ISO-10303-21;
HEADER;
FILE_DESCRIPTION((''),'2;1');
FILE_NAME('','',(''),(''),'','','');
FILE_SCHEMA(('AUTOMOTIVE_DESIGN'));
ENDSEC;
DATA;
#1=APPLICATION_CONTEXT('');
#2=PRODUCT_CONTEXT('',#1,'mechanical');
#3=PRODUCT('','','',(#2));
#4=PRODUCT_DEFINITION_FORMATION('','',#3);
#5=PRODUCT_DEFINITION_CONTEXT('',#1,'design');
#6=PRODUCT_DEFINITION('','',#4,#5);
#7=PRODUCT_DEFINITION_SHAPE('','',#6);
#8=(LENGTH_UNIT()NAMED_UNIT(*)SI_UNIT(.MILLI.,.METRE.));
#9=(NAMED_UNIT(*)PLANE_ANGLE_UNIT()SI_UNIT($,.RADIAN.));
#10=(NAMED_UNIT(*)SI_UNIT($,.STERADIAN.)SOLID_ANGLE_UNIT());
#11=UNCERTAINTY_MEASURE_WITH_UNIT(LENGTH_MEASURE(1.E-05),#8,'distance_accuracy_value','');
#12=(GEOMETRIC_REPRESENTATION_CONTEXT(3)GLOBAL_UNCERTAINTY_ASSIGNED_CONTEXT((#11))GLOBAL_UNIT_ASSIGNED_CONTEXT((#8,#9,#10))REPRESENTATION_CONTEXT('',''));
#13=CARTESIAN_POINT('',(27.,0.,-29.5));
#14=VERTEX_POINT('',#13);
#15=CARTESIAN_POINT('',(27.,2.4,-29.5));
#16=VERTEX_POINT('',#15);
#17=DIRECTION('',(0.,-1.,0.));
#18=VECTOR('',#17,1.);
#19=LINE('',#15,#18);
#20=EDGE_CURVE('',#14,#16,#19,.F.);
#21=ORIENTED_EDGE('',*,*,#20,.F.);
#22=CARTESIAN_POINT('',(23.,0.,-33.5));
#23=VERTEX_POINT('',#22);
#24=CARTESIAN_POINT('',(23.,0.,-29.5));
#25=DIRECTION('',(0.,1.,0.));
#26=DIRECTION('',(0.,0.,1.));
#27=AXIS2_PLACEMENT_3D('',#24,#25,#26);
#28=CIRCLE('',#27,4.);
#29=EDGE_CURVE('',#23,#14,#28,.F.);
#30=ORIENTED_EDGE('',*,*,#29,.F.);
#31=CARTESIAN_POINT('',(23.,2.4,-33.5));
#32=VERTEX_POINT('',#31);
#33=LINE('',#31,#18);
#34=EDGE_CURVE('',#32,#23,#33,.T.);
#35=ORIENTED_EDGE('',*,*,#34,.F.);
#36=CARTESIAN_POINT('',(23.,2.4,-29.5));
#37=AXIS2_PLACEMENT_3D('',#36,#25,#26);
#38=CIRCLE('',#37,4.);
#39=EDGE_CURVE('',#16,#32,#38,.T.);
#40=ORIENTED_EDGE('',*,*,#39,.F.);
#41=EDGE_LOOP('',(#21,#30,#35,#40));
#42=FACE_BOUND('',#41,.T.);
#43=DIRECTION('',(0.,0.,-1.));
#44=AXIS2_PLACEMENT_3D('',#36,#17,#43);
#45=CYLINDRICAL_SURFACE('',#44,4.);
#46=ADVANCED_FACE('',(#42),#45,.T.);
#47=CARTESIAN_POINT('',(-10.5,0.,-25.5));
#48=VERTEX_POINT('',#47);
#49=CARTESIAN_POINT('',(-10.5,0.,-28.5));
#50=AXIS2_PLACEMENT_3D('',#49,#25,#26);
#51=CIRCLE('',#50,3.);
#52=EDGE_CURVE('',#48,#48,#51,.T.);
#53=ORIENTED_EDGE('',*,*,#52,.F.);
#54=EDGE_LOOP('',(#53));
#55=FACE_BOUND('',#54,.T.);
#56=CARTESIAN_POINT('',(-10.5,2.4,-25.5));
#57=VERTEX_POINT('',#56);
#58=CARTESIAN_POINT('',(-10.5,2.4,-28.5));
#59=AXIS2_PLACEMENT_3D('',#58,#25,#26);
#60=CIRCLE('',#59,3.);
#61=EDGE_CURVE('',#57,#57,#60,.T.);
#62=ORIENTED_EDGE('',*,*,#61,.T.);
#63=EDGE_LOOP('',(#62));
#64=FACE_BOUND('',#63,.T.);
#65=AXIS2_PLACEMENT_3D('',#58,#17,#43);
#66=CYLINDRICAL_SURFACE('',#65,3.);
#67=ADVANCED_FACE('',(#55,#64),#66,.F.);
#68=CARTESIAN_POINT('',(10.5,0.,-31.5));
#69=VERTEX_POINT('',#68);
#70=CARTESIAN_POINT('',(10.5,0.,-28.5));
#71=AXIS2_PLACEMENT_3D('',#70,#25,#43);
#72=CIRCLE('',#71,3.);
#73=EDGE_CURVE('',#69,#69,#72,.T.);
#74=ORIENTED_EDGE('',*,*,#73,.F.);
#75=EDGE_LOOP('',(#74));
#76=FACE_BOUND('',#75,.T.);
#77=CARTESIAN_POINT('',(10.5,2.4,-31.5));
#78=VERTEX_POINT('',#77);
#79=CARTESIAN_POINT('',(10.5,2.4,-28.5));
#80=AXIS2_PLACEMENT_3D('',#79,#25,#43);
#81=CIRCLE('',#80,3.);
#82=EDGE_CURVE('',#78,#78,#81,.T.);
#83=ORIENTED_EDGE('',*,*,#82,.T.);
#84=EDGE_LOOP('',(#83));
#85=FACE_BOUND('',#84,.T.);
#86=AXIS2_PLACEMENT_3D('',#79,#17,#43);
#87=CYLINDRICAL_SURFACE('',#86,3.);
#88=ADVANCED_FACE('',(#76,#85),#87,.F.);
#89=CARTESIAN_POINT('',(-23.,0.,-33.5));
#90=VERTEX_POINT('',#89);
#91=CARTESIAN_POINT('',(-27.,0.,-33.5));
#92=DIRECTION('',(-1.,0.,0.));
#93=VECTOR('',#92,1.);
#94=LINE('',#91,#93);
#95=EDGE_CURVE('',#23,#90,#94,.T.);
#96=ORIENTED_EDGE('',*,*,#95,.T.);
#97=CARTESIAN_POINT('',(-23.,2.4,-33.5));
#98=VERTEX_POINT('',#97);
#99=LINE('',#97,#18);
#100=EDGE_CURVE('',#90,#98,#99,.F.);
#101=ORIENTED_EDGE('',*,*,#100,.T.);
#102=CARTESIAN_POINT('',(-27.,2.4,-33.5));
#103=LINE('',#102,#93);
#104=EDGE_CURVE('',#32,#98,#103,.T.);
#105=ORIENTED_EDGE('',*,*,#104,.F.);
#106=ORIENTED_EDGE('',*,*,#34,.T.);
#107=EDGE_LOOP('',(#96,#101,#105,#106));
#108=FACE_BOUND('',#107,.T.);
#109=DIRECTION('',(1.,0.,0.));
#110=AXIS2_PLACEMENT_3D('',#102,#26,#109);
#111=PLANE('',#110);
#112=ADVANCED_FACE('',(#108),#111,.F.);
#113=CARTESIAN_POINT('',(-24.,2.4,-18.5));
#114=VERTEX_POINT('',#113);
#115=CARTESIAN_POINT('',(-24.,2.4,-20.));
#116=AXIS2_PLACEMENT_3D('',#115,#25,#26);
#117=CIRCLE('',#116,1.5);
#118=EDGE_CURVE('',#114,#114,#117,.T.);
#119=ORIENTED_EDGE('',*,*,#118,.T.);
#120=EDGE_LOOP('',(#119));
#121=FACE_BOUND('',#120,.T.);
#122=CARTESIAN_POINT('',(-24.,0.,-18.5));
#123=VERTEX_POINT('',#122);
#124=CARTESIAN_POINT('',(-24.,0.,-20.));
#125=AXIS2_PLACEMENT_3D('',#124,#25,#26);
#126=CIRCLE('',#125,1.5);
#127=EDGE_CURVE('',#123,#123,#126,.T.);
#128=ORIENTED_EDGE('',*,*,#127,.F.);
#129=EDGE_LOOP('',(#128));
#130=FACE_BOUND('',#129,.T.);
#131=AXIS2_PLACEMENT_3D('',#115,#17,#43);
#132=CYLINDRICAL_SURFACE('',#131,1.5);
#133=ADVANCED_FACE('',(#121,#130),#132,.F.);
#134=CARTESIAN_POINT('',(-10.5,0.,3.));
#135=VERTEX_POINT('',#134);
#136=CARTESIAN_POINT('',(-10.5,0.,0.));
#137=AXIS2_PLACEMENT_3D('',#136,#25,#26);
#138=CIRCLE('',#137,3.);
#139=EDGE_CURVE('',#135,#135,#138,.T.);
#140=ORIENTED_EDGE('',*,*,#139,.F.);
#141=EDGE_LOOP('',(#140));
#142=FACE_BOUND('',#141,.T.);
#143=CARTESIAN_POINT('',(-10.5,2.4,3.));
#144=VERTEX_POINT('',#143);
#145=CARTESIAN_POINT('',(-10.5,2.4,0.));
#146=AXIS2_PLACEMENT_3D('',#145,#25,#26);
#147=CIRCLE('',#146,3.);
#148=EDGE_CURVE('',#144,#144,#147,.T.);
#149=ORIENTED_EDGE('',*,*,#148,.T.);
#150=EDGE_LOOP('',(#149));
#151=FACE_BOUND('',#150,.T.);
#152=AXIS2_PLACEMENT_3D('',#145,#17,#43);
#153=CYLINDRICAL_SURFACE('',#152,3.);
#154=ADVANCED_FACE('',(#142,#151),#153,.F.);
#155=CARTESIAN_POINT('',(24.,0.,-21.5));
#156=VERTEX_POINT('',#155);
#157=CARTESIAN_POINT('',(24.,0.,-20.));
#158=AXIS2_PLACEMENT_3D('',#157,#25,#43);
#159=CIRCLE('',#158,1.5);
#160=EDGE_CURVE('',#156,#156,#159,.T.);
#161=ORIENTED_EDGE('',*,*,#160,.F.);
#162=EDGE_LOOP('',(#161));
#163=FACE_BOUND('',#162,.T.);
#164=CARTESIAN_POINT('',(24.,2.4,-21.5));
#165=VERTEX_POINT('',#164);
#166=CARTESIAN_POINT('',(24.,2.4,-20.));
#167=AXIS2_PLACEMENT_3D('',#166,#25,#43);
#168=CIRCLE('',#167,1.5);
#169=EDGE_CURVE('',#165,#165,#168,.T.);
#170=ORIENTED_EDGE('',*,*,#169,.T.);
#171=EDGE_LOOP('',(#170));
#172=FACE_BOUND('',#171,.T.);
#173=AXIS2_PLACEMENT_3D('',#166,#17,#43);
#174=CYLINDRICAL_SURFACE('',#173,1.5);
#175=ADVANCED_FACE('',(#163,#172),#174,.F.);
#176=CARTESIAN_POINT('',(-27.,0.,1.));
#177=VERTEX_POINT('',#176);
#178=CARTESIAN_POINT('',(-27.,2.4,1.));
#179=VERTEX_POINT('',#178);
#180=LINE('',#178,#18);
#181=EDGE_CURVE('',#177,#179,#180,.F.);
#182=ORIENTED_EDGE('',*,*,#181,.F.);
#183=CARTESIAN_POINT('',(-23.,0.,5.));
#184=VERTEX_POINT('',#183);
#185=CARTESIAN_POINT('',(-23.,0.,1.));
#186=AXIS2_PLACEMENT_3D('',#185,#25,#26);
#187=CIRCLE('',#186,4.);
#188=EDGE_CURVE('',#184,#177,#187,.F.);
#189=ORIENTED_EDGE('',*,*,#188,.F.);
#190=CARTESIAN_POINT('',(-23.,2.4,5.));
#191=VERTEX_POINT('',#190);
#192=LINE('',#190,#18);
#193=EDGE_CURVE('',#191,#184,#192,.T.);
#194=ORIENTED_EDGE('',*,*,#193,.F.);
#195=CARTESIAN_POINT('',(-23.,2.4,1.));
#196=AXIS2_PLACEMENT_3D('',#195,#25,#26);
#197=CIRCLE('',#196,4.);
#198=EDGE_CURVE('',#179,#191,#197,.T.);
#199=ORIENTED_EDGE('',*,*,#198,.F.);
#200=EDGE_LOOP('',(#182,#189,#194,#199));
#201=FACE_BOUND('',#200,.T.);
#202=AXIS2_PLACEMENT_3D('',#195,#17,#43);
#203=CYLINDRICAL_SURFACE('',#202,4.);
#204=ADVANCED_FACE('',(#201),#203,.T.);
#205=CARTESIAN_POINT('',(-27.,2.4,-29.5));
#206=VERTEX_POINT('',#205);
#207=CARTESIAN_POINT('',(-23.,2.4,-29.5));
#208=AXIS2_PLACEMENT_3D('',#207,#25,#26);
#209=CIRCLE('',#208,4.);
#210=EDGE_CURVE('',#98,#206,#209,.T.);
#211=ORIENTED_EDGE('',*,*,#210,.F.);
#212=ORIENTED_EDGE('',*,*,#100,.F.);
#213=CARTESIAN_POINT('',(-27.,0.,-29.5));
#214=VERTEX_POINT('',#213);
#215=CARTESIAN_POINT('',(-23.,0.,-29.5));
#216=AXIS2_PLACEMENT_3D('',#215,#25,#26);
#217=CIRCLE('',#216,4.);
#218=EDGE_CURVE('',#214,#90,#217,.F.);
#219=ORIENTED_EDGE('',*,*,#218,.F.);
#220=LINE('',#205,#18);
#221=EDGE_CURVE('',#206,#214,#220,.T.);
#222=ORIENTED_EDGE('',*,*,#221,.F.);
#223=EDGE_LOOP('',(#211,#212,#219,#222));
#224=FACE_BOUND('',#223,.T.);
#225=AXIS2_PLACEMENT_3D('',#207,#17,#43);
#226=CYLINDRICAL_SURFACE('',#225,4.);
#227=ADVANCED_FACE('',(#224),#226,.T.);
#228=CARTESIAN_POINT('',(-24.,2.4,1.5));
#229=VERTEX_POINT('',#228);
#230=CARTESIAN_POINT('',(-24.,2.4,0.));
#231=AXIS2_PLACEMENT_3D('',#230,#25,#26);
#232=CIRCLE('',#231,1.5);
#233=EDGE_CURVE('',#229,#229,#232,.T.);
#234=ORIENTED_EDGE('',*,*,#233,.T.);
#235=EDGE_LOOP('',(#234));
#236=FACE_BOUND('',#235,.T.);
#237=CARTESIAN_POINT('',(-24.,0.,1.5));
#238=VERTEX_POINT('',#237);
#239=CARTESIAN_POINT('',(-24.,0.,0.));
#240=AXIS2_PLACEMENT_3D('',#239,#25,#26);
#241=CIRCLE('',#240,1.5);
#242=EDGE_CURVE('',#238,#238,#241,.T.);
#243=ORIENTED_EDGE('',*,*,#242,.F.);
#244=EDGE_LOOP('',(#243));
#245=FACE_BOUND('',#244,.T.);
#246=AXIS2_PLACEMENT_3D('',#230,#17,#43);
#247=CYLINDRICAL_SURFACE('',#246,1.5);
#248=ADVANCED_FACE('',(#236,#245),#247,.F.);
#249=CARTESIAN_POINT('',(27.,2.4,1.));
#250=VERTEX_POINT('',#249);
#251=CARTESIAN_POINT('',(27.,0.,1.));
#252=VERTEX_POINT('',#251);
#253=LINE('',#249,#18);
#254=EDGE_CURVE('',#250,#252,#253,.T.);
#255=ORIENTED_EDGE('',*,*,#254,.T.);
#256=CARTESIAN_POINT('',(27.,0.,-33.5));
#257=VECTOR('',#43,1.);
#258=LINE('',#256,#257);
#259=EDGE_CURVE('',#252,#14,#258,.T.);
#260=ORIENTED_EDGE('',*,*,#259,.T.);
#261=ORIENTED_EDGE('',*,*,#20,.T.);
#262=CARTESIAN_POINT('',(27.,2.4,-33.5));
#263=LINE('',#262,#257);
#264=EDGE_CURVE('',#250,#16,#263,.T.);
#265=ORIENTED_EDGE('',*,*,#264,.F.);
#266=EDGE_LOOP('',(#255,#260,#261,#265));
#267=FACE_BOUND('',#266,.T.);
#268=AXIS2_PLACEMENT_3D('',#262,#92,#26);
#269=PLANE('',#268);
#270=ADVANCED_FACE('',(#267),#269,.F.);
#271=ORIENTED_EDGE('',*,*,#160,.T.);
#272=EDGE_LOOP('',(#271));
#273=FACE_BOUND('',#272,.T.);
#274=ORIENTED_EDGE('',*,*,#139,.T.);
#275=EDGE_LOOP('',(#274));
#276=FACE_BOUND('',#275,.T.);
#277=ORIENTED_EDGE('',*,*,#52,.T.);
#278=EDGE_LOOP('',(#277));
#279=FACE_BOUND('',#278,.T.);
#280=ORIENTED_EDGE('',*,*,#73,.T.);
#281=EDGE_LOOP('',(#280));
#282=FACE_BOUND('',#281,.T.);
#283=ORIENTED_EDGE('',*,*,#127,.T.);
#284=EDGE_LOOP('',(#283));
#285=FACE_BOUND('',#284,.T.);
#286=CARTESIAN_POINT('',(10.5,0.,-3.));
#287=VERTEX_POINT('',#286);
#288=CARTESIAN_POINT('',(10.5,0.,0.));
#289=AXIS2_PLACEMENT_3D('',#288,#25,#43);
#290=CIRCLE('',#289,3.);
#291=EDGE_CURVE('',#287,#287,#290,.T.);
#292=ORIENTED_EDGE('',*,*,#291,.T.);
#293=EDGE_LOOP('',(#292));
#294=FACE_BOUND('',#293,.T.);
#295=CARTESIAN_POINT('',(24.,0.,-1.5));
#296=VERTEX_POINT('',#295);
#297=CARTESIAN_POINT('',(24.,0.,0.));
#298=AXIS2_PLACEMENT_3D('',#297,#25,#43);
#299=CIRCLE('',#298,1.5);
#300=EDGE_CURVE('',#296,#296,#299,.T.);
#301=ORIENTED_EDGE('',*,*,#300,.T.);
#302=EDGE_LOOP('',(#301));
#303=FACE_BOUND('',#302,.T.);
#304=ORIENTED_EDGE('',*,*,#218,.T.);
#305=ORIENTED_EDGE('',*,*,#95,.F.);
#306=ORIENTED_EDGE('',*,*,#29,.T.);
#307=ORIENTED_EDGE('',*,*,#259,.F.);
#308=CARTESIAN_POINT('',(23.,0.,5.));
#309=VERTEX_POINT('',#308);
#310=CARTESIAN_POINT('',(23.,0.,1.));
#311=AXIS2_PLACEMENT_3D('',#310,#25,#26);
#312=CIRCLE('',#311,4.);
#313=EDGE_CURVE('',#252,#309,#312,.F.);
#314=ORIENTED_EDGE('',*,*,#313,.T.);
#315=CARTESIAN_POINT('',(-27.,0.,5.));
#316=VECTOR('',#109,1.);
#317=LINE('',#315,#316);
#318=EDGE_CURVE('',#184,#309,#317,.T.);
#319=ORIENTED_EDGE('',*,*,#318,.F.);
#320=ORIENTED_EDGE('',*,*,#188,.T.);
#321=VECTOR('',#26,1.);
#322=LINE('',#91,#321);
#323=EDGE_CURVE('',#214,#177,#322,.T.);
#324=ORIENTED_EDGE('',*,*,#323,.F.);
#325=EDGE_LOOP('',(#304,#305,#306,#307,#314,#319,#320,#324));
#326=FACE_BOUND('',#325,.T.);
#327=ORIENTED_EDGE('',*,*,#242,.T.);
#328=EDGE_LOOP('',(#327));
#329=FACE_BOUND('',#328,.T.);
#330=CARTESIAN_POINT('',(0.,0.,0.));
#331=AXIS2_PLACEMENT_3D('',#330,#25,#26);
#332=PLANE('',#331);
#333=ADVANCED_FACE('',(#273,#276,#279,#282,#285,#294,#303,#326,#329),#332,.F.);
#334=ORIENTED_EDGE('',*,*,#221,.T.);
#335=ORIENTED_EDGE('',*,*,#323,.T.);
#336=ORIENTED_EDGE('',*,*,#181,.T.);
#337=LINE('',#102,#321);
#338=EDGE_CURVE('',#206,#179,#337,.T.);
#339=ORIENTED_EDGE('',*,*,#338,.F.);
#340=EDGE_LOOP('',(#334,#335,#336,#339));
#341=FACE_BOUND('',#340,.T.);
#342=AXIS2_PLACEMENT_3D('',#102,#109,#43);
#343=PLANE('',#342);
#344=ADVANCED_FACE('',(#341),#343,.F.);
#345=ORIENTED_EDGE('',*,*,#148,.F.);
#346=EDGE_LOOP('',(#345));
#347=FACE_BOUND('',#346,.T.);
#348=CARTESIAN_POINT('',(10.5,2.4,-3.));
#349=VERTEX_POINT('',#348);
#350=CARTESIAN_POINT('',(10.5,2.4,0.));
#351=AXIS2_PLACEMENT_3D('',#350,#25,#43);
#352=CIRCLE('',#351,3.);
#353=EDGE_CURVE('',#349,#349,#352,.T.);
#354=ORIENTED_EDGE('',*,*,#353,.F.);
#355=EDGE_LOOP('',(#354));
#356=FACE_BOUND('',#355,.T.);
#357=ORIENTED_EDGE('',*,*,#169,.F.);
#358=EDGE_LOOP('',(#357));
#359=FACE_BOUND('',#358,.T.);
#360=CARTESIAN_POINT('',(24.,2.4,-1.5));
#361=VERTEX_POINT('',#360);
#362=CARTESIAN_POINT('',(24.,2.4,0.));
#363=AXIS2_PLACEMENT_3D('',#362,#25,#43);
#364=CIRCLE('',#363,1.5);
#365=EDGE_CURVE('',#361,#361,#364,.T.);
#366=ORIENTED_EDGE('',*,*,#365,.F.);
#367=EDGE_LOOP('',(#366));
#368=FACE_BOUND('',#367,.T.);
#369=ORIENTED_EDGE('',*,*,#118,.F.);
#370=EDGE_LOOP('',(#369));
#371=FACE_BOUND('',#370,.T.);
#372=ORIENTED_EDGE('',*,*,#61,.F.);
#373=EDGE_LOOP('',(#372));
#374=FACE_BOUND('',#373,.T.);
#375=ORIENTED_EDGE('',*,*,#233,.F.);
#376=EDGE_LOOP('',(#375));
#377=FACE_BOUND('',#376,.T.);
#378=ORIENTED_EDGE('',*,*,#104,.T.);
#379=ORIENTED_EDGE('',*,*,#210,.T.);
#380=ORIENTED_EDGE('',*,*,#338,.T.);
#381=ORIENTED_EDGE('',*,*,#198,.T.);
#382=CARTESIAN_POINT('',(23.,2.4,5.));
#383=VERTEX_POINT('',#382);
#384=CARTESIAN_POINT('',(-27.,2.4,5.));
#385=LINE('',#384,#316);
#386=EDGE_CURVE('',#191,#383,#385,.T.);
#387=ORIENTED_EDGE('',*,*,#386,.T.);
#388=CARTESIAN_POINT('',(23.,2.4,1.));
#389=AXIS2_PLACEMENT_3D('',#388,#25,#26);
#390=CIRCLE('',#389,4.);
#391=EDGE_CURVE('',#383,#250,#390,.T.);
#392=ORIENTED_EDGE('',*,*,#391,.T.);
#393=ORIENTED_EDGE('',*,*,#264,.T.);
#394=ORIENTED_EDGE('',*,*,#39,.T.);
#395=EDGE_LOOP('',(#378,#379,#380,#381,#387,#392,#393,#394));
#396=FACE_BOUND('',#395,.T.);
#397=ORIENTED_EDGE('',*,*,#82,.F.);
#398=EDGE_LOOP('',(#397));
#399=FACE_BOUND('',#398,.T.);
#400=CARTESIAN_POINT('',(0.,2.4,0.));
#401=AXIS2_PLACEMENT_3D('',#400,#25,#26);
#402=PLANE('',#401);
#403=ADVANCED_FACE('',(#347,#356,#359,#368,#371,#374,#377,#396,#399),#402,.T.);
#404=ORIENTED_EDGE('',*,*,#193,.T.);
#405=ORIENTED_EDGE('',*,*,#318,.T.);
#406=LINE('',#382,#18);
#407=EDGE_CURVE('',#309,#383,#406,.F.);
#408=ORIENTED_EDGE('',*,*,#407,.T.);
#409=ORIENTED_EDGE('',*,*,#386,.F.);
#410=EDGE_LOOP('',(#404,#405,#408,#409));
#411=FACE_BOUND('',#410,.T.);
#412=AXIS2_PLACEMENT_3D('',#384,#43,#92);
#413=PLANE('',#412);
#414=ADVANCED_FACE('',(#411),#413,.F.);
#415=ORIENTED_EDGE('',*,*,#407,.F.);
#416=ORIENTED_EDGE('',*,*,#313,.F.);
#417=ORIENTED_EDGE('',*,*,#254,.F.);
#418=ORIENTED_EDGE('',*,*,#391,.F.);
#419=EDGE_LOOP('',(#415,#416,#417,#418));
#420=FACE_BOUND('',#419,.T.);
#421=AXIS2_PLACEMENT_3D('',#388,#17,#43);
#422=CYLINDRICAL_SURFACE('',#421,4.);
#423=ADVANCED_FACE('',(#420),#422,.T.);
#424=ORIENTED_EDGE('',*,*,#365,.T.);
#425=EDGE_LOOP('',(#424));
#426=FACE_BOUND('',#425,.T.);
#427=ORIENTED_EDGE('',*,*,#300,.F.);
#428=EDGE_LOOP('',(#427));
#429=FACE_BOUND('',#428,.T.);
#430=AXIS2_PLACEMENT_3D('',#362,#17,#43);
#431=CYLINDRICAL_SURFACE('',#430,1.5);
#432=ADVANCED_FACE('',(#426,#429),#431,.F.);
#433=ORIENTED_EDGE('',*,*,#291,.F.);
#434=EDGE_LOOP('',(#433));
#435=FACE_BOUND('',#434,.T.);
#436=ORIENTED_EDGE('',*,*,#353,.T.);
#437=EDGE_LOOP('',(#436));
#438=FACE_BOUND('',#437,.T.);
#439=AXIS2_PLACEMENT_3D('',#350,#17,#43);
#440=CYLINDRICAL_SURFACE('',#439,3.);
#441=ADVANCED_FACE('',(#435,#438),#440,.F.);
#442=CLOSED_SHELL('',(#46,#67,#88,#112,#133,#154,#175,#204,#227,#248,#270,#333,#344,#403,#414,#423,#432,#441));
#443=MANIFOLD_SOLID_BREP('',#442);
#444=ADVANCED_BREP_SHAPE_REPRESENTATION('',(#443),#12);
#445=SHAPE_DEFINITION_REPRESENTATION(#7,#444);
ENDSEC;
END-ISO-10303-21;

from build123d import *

# Parameters (mm, degrees)
SKETCH_1_W      = 54
SKETCH_1_H      = 38.5
SKETCH_1_R      = 1.5
SKETCH_1_R_2    = 3
EXTRUDE_1_DEPTH = 2.4
FILLET_1_R      = 4


with BuildPart() as part:
    # 草圖1 → 填料-伸長1 (new body)
    with BuildSketch(Plane(origin=(0, 0, 0), x_dir=(1, 0, 0), z_dir=(0, 1, 0))):
        with Locations((0, 14.25)):
            Rectangle(SKETCH_1_W, SKETCH_1_H)
        with Locations((-24, 0)):
            Circle(SKETCH_1_R, mode=Mode.SUBTRACT)
        with Locations((24, 0)):
            Circle(SKETCH_1_R, mode=Mode.SUBTRACT)
        with Locations((-10.5, 28.5)):
            Circle(SKETCH_1_R_2, mode=Mode.SUBTRACT)
        with Locations((10.5, 28.5)):
            Circle(SKETCH_1_R_2, mode=Mode.SUBTRACT)
        with Locations((-10.5, 0)):
            Circle(SKETCH_1_R_2, mode=Mode.SUBTRACT)
        with Locations((10.5, 0)):
            Circle(SKETCH_1_R_2, mode=Mode.SUBTRACT)
        with Locations((24, 20)):
            Circle(SKETCH_1_R, mode=Mode.SUBTRACT)
        with Locations((-24, 20)):
            Circle(SKETCH_1_R, mode=Mode.SUBTRACT)
    extrude(amount=EXTRUDE_1_DEPTH)

    # 圓角1
    fillet_1_edges = [part.edges().sort_by_distance(p)[0] for p in [
        (27, 1.2, 5),
        (-27, 1.2, 5),
        (-27, 1.2, -33.5),
        (27, 1.2, -33.5),
    ]]
    fillet(fillet_1_edges, radius=FILLET_1_R)


solid = part.part
